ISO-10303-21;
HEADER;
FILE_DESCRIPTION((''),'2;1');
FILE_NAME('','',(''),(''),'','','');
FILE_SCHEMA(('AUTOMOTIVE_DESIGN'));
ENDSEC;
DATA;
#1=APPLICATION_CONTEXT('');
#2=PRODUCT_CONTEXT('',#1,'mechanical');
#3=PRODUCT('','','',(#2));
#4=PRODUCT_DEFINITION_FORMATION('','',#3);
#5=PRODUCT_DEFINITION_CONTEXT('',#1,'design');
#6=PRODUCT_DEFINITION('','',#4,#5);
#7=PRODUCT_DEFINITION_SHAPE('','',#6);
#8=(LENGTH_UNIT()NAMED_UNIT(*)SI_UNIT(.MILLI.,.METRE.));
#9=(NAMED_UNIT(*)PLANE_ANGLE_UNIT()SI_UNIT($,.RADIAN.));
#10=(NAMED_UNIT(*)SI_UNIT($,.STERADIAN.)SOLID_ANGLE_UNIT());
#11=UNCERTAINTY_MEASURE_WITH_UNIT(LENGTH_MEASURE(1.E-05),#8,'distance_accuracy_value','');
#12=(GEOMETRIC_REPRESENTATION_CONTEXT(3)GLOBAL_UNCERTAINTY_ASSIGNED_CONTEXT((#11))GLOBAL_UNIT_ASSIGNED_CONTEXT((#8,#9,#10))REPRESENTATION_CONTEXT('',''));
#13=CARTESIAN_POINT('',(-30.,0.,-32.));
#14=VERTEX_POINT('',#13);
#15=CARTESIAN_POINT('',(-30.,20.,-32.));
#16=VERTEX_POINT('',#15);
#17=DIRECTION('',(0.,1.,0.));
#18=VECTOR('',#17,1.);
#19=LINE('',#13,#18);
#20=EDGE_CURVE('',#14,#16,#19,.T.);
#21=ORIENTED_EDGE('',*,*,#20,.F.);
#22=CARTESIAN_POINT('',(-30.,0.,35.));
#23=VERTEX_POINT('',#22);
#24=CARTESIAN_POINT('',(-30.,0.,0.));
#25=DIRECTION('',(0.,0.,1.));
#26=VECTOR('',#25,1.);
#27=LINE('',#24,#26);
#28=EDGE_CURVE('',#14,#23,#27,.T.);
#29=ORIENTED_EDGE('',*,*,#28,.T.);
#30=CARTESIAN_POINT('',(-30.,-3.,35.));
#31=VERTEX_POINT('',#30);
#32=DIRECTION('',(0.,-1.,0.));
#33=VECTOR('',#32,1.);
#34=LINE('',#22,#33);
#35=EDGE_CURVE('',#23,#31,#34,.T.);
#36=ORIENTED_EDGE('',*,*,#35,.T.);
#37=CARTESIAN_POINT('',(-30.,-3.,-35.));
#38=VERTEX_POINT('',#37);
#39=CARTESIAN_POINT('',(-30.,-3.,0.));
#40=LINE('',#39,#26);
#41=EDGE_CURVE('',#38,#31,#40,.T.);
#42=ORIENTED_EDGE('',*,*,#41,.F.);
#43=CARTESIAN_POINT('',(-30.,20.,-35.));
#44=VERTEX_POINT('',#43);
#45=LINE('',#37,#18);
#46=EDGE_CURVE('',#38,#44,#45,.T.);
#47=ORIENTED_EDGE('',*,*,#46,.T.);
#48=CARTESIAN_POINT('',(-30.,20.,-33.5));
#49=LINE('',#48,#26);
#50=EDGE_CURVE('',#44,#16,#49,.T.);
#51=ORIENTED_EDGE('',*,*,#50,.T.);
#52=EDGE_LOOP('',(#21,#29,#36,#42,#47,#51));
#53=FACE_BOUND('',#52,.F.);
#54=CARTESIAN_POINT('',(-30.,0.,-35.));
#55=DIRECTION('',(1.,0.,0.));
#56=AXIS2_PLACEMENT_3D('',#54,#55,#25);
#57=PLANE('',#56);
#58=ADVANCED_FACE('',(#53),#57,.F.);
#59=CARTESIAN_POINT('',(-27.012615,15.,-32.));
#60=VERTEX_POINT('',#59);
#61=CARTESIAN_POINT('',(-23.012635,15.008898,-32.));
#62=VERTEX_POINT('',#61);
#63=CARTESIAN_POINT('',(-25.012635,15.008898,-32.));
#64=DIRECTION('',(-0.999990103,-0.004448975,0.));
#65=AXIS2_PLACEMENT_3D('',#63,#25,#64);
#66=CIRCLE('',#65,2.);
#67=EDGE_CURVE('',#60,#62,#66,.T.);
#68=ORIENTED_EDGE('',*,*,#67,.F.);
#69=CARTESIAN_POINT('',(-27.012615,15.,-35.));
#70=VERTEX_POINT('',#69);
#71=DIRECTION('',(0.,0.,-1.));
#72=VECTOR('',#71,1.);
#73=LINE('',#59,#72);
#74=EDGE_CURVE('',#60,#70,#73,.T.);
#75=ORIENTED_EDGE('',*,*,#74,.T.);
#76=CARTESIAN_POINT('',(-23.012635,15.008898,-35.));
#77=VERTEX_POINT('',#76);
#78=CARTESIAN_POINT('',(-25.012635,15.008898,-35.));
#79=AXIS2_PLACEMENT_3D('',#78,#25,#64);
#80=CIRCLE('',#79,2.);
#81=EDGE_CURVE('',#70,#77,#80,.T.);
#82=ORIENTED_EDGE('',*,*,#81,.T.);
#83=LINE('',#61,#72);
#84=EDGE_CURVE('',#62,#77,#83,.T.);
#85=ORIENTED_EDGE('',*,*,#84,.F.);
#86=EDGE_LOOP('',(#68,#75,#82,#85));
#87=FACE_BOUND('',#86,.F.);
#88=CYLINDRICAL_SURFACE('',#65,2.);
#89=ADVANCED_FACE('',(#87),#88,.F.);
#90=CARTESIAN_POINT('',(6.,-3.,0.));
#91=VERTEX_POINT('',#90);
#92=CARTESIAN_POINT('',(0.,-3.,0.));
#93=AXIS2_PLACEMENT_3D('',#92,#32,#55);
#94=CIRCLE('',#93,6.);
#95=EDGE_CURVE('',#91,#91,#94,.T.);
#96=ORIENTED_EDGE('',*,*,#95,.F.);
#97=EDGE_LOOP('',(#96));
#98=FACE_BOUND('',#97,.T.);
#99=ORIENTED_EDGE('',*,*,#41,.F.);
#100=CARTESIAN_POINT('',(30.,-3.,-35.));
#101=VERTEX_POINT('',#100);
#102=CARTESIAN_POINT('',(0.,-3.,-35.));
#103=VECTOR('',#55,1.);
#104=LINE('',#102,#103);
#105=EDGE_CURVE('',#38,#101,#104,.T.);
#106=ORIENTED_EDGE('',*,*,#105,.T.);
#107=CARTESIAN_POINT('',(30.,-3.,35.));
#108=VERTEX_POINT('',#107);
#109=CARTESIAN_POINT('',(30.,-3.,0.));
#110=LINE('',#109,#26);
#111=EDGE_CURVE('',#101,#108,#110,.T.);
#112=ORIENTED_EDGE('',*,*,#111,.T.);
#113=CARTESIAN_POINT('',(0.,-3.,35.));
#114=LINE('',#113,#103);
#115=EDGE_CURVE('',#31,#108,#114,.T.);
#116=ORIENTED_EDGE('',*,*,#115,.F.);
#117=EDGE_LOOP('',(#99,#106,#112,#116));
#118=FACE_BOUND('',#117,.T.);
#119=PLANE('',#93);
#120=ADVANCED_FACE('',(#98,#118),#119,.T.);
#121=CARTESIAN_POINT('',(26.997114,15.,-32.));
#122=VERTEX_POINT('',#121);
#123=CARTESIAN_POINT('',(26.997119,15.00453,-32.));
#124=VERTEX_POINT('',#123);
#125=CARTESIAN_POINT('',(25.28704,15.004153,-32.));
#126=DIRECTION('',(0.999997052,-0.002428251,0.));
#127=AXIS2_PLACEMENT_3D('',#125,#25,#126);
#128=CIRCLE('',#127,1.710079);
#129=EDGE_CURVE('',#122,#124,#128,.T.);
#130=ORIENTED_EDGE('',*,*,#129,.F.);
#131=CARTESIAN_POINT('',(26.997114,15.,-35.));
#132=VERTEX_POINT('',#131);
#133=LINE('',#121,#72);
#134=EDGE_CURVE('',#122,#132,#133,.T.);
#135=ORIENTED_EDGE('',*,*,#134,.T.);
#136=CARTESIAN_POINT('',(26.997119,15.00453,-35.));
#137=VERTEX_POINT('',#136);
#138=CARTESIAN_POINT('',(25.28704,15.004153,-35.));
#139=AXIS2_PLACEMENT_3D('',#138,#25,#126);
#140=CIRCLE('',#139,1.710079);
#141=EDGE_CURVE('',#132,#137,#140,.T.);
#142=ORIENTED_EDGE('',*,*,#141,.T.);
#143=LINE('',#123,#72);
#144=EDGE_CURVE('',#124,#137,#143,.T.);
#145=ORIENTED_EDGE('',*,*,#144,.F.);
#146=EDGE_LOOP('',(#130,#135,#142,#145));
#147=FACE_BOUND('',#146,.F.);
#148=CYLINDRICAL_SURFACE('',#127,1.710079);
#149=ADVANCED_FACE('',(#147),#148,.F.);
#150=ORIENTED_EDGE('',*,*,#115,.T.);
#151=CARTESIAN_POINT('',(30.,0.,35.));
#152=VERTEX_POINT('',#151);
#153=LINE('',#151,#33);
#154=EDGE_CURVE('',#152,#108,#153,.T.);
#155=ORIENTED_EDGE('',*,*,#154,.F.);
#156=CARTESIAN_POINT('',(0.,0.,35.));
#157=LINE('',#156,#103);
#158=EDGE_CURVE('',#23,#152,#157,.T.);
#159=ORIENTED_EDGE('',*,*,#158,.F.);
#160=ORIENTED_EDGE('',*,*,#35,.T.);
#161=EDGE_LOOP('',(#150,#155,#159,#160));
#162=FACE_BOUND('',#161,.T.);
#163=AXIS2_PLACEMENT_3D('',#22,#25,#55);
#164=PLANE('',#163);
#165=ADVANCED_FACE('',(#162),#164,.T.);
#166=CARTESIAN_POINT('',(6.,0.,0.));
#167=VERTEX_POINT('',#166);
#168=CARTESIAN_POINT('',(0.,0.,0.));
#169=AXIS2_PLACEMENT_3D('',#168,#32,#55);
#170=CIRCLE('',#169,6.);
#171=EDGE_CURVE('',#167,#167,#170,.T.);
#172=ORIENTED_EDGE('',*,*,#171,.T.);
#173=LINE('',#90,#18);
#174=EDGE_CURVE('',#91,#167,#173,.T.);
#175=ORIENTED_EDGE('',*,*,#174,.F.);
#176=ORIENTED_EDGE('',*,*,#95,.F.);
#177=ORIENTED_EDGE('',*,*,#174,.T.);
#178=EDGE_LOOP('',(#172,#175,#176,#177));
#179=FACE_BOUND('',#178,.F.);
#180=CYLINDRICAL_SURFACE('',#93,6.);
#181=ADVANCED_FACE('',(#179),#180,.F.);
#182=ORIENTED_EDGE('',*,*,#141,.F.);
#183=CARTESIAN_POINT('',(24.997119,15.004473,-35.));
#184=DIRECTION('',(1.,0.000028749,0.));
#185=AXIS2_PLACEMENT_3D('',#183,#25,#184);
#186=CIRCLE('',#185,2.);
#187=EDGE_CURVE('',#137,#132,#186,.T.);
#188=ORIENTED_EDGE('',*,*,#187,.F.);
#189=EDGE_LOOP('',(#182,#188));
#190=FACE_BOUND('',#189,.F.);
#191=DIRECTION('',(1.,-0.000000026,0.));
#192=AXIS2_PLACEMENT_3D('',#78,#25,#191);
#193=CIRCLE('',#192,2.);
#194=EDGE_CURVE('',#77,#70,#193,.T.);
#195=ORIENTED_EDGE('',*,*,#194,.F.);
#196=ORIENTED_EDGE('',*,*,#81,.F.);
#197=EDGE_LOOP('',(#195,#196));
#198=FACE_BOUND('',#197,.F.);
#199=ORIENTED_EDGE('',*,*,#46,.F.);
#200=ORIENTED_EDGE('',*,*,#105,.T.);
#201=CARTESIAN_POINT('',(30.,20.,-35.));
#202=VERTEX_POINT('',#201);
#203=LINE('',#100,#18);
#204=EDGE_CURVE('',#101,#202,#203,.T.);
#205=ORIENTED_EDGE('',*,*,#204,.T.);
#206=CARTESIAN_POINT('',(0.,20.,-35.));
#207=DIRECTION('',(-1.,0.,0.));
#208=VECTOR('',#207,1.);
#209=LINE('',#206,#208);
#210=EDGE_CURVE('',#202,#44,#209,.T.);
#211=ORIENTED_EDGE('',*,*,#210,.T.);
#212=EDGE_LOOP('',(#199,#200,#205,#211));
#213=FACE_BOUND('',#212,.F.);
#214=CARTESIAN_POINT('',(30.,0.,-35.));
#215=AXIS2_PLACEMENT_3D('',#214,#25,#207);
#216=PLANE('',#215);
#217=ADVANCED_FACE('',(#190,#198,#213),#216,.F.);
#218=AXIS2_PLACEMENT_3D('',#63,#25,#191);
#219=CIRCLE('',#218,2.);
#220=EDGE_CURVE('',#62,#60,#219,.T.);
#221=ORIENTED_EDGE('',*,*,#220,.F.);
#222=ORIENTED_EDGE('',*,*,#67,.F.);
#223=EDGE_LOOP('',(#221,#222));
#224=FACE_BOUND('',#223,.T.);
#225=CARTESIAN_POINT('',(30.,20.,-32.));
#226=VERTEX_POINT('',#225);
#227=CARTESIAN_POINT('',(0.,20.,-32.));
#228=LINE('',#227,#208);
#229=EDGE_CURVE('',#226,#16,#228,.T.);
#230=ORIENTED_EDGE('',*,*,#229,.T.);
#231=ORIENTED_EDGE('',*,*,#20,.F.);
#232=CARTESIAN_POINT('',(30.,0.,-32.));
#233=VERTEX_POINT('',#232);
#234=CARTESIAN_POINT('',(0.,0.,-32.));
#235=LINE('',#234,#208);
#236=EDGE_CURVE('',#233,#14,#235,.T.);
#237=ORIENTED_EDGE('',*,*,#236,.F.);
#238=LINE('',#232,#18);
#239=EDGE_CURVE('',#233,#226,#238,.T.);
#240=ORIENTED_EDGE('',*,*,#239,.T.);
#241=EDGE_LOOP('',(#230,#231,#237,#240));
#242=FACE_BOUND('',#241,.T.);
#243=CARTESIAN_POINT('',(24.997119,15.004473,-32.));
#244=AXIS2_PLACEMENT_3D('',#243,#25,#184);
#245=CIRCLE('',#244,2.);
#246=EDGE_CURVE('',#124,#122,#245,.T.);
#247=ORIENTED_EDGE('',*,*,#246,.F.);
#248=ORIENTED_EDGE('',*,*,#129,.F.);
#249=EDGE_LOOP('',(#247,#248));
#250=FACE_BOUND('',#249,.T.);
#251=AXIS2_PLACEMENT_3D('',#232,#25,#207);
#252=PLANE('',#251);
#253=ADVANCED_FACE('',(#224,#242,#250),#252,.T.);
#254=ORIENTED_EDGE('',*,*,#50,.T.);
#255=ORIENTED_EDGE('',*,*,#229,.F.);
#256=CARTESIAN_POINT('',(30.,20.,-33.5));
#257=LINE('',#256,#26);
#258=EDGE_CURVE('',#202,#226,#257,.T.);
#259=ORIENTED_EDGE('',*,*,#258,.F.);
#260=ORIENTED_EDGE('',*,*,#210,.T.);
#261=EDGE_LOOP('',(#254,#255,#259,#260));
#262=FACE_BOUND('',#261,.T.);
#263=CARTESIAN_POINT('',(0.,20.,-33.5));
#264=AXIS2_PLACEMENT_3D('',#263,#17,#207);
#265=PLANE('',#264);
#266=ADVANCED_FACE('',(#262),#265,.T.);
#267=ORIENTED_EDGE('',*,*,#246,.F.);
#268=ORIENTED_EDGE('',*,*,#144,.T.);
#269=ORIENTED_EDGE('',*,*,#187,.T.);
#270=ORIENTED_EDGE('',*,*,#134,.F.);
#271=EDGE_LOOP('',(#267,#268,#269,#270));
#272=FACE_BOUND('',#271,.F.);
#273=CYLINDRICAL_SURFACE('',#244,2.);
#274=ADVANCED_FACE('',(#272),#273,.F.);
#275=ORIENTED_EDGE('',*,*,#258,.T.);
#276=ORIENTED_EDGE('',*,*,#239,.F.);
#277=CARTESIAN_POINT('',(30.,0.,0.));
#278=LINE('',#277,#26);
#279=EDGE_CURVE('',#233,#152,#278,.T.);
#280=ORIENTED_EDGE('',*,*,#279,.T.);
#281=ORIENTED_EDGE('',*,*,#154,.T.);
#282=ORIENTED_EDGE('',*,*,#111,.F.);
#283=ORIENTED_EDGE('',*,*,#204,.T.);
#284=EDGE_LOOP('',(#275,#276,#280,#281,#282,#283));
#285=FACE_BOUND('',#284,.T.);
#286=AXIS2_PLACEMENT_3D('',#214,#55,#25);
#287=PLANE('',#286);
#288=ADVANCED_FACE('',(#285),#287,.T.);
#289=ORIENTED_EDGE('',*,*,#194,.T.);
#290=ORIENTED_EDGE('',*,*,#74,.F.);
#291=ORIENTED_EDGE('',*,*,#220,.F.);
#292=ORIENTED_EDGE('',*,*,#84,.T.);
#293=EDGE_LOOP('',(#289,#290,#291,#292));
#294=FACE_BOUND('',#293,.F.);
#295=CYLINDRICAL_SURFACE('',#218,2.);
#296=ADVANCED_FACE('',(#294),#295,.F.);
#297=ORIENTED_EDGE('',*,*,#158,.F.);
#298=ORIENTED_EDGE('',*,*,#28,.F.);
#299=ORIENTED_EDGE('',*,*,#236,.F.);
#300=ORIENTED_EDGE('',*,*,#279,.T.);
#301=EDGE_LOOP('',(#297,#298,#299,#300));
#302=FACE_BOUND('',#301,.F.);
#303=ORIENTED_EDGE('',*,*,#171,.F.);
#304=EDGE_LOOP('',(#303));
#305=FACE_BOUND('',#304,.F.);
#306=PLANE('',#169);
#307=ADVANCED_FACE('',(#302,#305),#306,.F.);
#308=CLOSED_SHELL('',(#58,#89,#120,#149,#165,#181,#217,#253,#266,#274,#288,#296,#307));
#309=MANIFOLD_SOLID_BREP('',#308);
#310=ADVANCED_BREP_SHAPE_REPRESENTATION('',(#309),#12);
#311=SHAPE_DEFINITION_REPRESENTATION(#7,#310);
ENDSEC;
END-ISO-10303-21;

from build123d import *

# Parameters (mm, degrees)
F0_W     = 60
F0_H     = 70
F1_DEPTH = 3
F2_W     = 60
F2_H     = 3
F3_DEPTH = 20
F5_DEPTH = 3
F6_R     = 6
F7_DEPTH = 3


with BuildPart() as f1:
    # F0 (on Front) → F1 (new body)
    with BuildSketch(Plane.XZ):
        Rectangle(F0_W, F0_H)
    extrude(amount=F1_DEPTH)

    # F2 (on face) → F3 (join)
    with BuildSketch(Plane(origin=(0, 0, 0), x_dir=(-1, 0, 0), z_dir=(0, 1, 0))):
        with Locations((0, -33.5)):
            Rectangle(F2_W, F2_H)
    extrude(amount=F3_DEPTH)

    # F4 (on face) → F5 (cut)
    with BuildSketch(Plane.XY.offset(-32)):
        with BuildLine():
            ThreePointArc((26.997119, 15.00453), (22.99712, 15.006795), (26.997114, 15))
            ThreePointArc((26.997114, 15), (26.997118, 15.002265), (26.997119, 15.00453))
        make_face()
        with BuildLine():
            ThreePointArc((-23.012635, 15.008898), (-25.017084, 17.008893), (-27.012615, 15))
            ThreePointArc((-27.012615, 15), (-25.008186, 13.008903), (-23.012635, 15.008898))
        make_face()
    extrude(amount=-F5_DEPTH, mode=Mode.SUBTRACT)

    # F6 (on face) → F7 (cut)
    with BuildSketch(Plane.XZ.offset(3)):
        Circle(F6_R)
    extrude(amount=-F7_DEPTH, mode=Mode.SUBTRACT)


solid = f1.part
